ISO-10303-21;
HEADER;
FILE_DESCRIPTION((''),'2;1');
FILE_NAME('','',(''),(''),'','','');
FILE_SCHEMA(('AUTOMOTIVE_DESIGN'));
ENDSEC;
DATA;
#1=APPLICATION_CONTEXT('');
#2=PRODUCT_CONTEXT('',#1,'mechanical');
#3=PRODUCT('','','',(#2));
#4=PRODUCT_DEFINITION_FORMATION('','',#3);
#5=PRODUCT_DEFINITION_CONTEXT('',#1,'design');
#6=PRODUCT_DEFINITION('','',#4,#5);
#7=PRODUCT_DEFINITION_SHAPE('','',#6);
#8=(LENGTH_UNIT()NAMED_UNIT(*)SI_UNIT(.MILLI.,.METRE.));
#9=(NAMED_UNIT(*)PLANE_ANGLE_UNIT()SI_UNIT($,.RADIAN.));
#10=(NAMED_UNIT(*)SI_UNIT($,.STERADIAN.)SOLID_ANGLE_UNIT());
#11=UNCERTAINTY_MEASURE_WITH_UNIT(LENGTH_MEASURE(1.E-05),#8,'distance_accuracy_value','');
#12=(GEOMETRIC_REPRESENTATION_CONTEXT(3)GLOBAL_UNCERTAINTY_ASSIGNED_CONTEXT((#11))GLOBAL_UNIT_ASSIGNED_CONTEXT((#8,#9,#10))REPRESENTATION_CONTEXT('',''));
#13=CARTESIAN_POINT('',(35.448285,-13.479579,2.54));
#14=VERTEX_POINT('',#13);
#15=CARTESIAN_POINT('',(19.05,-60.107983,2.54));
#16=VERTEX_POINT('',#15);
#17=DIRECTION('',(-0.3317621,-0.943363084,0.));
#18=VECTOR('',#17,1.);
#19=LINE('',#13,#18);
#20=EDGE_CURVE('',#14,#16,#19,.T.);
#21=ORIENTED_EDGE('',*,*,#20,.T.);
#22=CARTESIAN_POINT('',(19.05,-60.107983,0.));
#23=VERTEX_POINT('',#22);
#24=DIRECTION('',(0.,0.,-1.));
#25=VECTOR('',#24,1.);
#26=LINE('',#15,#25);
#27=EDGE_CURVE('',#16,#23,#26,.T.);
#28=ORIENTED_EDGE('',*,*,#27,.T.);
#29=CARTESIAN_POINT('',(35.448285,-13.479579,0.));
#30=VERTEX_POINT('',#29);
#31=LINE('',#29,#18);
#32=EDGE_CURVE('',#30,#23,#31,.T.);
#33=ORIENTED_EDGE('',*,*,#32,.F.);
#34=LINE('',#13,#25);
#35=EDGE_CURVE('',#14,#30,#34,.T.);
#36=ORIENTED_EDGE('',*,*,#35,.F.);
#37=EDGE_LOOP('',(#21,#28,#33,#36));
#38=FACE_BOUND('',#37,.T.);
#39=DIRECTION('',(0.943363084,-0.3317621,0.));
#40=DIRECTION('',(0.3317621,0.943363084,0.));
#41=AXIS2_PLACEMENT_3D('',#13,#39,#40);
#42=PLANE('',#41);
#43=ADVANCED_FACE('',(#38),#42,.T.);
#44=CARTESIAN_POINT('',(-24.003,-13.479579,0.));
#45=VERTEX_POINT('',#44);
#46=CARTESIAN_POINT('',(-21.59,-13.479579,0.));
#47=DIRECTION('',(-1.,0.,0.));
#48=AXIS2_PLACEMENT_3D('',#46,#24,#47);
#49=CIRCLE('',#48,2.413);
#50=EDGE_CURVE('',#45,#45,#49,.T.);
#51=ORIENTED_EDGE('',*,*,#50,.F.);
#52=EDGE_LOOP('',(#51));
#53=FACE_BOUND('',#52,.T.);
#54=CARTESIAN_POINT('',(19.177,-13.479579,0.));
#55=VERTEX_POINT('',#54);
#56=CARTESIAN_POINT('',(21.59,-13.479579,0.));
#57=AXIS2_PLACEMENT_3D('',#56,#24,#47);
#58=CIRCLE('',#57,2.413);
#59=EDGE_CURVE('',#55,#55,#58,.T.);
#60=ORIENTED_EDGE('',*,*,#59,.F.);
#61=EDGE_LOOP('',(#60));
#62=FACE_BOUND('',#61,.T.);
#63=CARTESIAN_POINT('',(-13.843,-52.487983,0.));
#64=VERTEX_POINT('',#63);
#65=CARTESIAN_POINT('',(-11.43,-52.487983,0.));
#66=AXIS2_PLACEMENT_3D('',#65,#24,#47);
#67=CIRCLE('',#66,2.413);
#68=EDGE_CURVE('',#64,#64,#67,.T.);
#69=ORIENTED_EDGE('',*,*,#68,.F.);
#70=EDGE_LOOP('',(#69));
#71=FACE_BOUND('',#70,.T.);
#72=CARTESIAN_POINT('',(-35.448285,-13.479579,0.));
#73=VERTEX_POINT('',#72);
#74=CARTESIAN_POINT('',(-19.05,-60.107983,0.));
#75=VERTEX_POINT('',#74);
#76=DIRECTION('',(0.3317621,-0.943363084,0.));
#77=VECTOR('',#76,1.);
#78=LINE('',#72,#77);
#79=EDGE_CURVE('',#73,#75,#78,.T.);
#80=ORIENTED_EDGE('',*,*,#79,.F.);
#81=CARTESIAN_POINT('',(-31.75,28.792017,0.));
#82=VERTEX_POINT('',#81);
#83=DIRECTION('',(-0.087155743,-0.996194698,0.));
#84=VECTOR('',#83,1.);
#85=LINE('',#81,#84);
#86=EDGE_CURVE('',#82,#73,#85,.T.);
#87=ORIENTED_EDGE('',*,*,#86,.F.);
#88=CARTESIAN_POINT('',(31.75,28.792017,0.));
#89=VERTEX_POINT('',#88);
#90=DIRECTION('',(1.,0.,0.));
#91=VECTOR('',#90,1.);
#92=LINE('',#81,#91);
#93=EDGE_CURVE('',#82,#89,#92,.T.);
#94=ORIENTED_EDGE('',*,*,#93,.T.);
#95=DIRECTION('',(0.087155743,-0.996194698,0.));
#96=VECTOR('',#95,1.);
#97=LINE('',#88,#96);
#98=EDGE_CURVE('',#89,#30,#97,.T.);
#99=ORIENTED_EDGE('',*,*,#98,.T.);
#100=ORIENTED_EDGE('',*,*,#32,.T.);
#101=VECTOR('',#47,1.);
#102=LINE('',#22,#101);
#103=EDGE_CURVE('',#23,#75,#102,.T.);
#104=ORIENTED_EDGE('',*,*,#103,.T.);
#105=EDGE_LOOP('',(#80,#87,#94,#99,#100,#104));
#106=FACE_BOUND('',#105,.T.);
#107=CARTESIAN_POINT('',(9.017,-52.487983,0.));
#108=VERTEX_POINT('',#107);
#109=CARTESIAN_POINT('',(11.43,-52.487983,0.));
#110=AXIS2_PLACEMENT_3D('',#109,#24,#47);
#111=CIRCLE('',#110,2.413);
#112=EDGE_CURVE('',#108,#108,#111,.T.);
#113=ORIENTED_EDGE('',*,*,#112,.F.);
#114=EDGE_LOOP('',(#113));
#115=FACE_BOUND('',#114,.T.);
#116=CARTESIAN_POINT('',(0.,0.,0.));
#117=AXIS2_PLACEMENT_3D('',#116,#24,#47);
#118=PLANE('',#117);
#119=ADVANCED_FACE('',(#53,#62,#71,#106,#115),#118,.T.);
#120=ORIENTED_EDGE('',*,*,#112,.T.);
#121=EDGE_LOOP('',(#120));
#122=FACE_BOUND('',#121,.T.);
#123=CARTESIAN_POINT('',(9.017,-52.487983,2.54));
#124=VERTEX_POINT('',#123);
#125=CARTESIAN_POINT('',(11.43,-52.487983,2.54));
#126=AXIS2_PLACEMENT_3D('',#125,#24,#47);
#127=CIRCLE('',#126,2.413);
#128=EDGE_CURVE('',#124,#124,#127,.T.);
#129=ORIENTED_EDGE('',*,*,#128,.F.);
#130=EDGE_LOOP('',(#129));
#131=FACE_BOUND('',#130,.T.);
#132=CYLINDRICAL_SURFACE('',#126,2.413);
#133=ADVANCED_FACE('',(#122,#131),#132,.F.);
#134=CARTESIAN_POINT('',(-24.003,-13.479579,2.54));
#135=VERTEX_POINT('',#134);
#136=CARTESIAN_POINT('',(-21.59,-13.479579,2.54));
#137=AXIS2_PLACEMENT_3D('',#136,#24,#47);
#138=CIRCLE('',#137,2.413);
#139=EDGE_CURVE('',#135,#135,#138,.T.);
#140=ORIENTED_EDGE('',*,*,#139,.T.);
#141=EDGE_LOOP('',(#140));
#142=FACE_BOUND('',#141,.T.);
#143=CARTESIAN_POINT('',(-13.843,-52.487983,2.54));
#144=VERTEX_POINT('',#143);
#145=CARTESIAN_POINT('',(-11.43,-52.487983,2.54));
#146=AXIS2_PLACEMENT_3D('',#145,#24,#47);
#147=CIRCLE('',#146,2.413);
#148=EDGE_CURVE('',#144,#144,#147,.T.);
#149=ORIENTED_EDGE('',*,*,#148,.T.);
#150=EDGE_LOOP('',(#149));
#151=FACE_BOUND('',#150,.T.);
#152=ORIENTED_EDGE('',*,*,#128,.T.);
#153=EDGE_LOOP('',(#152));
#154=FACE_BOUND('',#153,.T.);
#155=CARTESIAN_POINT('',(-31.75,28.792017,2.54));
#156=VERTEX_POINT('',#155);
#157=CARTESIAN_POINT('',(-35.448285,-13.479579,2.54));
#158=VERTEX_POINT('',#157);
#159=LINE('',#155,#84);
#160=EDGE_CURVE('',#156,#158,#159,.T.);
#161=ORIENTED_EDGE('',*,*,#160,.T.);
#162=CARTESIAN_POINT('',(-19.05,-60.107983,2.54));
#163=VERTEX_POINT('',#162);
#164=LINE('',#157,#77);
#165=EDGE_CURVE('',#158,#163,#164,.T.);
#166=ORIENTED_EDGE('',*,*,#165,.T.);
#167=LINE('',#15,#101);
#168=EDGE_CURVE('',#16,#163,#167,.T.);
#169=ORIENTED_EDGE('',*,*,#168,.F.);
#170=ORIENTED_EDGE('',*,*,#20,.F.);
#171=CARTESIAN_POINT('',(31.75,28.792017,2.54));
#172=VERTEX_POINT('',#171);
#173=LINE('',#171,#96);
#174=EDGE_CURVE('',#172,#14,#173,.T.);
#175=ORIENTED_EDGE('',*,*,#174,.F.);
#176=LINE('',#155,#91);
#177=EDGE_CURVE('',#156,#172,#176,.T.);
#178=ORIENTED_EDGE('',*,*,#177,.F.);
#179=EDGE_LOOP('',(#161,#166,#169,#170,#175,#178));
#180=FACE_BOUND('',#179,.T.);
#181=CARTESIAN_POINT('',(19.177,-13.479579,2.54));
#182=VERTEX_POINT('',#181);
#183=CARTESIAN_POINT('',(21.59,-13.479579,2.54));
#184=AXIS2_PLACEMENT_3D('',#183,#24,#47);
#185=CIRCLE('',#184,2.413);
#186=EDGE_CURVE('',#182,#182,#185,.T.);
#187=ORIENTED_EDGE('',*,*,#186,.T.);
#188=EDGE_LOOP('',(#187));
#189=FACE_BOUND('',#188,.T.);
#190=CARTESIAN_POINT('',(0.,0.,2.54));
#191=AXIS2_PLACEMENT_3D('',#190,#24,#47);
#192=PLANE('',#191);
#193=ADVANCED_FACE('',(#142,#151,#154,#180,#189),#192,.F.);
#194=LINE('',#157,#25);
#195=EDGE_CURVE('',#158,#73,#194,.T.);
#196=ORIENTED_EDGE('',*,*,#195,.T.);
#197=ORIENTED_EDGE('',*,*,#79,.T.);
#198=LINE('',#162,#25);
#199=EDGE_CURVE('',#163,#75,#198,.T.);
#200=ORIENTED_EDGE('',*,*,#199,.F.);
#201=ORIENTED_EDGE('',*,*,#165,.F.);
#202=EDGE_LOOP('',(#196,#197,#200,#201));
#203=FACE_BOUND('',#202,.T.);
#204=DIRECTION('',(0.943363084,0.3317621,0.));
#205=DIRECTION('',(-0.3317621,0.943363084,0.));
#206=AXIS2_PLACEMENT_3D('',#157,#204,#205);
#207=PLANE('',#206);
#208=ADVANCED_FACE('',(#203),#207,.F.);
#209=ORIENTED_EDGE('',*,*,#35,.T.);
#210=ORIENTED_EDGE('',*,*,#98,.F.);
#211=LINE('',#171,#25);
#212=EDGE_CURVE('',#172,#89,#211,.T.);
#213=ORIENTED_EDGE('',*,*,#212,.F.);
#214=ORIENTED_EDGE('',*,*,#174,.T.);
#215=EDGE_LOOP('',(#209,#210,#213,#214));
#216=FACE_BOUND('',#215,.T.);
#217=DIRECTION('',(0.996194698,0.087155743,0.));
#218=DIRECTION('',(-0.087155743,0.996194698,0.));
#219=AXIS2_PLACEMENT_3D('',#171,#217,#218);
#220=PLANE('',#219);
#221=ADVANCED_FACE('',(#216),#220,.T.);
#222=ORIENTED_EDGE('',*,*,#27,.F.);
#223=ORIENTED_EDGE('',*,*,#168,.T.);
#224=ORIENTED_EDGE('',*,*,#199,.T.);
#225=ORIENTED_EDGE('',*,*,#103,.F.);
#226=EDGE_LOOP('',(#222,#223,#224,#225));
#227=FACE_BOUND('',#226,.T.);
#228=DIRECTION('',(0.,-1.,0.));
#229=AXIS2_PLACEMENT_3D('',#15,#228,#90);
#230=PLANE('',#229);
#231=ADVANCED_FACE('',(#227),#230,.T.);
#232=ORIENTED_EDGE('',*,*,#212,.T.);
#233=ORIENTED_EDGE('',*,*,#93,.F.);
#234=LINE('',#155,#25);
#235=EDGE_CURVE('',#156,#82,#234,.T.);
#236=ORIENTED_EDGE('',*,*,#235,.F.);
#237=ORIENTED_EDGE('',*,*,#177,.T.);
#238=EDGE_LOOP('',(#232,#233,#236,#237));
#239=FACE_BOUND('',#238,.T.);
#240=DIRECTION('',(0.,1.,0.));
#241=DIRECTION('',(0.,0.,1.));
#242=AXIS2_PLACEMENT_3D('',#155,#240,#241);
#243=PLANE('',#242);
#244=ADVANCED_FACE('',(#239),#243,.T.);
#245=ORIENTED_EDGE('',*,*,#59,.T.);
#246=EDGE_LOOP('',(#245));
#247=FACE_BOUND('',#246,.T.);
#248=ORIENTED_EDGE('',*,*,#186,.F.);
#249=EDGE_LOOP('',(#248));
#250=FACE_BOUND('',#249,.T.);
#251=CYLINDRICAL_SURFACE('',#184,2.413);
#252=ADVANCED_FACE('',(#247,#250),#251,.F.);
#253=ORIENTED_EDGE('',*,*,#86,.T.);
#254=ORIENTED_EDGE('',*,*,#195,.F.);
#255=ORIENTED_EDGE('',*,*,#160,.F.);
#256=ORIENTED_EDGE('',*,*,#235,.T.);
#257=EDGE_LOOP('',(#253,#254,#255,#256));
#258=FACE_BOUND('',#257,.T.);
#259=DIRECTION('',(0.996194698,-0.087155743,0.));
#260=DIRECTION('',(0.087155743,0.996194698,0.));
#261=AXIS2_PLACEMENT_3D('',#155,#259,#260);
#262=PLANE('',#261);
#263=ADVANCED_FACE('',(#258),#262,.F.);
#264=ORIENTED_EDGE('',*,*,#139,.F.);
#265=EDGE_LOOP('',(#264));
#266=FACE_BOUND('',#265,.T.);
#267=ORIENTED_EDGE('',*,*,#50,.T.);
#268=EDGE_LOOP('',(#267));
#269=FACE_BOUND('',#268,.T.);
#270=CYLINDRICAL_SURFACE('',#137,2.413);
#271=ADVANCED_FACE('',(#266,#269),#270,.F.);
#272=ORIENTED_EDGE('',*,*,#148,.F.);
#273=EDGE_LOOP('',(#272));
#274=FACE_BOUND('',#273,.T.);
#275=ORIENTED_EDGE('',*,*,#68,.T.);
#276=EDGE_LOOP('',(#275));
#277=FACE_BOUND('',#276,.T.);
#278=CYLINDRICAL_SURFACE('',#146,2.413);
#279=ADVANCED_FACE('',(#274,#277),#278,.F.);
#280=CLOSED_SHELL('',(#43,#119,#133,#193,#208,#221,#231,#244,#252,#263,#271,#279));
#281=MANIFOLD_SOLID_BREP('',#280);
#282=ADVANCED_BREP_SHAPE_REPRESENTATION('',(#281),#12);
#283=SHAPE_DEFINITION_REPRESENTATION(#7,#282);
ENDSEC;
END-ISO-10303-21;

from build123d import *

# Parameters (mm, degrees)
BOSS_EXTRUDE1_DEPTH = 2.54
SKETCH3_R           = 2.413
CUT_EXTRUDE1_DEPTH  = 70.828376229


with BuildPart() as part:
    # Sketch1 → Boss-Extrude1 (new body)
    with BuildSketch(Plane.XY):
        Polygon((-31.75, 28.792017296), (31.75, 28.792017296), (35.44828546, -13.479578937), (19.05, -60.107982704), (-19.05, -60.107982704), (-35.44828546, -13.479578937), align=None)
    extrude(amount=BOSS_EXTRUDE1_DEPTH)

    # Sketch3 → Cut-Extrude1 (cut, through all)
    with BuildSketch(Plane(origin=(0, 0, 0), x_dir=(-1, 0, 0), z_dir=(0, 0, -1))):
        with Locations((11.43, -52.487982704)):
            Circle(SKETCH3_R)
        with Locations((-11.43, -52.487982704)):
            Circle(SKETCH3_R)
        with Locations((21.59, -13.479578937)):
            Circle(SKETCH3_R)
        with Locations((-21.59, -13.479578937)):
            Circle(SKETCH3_R)
    extrude(amount=-CUT_EXTRUDE1_DEPTH, mode=Mode.SUBTRACT)


solid = part.part
